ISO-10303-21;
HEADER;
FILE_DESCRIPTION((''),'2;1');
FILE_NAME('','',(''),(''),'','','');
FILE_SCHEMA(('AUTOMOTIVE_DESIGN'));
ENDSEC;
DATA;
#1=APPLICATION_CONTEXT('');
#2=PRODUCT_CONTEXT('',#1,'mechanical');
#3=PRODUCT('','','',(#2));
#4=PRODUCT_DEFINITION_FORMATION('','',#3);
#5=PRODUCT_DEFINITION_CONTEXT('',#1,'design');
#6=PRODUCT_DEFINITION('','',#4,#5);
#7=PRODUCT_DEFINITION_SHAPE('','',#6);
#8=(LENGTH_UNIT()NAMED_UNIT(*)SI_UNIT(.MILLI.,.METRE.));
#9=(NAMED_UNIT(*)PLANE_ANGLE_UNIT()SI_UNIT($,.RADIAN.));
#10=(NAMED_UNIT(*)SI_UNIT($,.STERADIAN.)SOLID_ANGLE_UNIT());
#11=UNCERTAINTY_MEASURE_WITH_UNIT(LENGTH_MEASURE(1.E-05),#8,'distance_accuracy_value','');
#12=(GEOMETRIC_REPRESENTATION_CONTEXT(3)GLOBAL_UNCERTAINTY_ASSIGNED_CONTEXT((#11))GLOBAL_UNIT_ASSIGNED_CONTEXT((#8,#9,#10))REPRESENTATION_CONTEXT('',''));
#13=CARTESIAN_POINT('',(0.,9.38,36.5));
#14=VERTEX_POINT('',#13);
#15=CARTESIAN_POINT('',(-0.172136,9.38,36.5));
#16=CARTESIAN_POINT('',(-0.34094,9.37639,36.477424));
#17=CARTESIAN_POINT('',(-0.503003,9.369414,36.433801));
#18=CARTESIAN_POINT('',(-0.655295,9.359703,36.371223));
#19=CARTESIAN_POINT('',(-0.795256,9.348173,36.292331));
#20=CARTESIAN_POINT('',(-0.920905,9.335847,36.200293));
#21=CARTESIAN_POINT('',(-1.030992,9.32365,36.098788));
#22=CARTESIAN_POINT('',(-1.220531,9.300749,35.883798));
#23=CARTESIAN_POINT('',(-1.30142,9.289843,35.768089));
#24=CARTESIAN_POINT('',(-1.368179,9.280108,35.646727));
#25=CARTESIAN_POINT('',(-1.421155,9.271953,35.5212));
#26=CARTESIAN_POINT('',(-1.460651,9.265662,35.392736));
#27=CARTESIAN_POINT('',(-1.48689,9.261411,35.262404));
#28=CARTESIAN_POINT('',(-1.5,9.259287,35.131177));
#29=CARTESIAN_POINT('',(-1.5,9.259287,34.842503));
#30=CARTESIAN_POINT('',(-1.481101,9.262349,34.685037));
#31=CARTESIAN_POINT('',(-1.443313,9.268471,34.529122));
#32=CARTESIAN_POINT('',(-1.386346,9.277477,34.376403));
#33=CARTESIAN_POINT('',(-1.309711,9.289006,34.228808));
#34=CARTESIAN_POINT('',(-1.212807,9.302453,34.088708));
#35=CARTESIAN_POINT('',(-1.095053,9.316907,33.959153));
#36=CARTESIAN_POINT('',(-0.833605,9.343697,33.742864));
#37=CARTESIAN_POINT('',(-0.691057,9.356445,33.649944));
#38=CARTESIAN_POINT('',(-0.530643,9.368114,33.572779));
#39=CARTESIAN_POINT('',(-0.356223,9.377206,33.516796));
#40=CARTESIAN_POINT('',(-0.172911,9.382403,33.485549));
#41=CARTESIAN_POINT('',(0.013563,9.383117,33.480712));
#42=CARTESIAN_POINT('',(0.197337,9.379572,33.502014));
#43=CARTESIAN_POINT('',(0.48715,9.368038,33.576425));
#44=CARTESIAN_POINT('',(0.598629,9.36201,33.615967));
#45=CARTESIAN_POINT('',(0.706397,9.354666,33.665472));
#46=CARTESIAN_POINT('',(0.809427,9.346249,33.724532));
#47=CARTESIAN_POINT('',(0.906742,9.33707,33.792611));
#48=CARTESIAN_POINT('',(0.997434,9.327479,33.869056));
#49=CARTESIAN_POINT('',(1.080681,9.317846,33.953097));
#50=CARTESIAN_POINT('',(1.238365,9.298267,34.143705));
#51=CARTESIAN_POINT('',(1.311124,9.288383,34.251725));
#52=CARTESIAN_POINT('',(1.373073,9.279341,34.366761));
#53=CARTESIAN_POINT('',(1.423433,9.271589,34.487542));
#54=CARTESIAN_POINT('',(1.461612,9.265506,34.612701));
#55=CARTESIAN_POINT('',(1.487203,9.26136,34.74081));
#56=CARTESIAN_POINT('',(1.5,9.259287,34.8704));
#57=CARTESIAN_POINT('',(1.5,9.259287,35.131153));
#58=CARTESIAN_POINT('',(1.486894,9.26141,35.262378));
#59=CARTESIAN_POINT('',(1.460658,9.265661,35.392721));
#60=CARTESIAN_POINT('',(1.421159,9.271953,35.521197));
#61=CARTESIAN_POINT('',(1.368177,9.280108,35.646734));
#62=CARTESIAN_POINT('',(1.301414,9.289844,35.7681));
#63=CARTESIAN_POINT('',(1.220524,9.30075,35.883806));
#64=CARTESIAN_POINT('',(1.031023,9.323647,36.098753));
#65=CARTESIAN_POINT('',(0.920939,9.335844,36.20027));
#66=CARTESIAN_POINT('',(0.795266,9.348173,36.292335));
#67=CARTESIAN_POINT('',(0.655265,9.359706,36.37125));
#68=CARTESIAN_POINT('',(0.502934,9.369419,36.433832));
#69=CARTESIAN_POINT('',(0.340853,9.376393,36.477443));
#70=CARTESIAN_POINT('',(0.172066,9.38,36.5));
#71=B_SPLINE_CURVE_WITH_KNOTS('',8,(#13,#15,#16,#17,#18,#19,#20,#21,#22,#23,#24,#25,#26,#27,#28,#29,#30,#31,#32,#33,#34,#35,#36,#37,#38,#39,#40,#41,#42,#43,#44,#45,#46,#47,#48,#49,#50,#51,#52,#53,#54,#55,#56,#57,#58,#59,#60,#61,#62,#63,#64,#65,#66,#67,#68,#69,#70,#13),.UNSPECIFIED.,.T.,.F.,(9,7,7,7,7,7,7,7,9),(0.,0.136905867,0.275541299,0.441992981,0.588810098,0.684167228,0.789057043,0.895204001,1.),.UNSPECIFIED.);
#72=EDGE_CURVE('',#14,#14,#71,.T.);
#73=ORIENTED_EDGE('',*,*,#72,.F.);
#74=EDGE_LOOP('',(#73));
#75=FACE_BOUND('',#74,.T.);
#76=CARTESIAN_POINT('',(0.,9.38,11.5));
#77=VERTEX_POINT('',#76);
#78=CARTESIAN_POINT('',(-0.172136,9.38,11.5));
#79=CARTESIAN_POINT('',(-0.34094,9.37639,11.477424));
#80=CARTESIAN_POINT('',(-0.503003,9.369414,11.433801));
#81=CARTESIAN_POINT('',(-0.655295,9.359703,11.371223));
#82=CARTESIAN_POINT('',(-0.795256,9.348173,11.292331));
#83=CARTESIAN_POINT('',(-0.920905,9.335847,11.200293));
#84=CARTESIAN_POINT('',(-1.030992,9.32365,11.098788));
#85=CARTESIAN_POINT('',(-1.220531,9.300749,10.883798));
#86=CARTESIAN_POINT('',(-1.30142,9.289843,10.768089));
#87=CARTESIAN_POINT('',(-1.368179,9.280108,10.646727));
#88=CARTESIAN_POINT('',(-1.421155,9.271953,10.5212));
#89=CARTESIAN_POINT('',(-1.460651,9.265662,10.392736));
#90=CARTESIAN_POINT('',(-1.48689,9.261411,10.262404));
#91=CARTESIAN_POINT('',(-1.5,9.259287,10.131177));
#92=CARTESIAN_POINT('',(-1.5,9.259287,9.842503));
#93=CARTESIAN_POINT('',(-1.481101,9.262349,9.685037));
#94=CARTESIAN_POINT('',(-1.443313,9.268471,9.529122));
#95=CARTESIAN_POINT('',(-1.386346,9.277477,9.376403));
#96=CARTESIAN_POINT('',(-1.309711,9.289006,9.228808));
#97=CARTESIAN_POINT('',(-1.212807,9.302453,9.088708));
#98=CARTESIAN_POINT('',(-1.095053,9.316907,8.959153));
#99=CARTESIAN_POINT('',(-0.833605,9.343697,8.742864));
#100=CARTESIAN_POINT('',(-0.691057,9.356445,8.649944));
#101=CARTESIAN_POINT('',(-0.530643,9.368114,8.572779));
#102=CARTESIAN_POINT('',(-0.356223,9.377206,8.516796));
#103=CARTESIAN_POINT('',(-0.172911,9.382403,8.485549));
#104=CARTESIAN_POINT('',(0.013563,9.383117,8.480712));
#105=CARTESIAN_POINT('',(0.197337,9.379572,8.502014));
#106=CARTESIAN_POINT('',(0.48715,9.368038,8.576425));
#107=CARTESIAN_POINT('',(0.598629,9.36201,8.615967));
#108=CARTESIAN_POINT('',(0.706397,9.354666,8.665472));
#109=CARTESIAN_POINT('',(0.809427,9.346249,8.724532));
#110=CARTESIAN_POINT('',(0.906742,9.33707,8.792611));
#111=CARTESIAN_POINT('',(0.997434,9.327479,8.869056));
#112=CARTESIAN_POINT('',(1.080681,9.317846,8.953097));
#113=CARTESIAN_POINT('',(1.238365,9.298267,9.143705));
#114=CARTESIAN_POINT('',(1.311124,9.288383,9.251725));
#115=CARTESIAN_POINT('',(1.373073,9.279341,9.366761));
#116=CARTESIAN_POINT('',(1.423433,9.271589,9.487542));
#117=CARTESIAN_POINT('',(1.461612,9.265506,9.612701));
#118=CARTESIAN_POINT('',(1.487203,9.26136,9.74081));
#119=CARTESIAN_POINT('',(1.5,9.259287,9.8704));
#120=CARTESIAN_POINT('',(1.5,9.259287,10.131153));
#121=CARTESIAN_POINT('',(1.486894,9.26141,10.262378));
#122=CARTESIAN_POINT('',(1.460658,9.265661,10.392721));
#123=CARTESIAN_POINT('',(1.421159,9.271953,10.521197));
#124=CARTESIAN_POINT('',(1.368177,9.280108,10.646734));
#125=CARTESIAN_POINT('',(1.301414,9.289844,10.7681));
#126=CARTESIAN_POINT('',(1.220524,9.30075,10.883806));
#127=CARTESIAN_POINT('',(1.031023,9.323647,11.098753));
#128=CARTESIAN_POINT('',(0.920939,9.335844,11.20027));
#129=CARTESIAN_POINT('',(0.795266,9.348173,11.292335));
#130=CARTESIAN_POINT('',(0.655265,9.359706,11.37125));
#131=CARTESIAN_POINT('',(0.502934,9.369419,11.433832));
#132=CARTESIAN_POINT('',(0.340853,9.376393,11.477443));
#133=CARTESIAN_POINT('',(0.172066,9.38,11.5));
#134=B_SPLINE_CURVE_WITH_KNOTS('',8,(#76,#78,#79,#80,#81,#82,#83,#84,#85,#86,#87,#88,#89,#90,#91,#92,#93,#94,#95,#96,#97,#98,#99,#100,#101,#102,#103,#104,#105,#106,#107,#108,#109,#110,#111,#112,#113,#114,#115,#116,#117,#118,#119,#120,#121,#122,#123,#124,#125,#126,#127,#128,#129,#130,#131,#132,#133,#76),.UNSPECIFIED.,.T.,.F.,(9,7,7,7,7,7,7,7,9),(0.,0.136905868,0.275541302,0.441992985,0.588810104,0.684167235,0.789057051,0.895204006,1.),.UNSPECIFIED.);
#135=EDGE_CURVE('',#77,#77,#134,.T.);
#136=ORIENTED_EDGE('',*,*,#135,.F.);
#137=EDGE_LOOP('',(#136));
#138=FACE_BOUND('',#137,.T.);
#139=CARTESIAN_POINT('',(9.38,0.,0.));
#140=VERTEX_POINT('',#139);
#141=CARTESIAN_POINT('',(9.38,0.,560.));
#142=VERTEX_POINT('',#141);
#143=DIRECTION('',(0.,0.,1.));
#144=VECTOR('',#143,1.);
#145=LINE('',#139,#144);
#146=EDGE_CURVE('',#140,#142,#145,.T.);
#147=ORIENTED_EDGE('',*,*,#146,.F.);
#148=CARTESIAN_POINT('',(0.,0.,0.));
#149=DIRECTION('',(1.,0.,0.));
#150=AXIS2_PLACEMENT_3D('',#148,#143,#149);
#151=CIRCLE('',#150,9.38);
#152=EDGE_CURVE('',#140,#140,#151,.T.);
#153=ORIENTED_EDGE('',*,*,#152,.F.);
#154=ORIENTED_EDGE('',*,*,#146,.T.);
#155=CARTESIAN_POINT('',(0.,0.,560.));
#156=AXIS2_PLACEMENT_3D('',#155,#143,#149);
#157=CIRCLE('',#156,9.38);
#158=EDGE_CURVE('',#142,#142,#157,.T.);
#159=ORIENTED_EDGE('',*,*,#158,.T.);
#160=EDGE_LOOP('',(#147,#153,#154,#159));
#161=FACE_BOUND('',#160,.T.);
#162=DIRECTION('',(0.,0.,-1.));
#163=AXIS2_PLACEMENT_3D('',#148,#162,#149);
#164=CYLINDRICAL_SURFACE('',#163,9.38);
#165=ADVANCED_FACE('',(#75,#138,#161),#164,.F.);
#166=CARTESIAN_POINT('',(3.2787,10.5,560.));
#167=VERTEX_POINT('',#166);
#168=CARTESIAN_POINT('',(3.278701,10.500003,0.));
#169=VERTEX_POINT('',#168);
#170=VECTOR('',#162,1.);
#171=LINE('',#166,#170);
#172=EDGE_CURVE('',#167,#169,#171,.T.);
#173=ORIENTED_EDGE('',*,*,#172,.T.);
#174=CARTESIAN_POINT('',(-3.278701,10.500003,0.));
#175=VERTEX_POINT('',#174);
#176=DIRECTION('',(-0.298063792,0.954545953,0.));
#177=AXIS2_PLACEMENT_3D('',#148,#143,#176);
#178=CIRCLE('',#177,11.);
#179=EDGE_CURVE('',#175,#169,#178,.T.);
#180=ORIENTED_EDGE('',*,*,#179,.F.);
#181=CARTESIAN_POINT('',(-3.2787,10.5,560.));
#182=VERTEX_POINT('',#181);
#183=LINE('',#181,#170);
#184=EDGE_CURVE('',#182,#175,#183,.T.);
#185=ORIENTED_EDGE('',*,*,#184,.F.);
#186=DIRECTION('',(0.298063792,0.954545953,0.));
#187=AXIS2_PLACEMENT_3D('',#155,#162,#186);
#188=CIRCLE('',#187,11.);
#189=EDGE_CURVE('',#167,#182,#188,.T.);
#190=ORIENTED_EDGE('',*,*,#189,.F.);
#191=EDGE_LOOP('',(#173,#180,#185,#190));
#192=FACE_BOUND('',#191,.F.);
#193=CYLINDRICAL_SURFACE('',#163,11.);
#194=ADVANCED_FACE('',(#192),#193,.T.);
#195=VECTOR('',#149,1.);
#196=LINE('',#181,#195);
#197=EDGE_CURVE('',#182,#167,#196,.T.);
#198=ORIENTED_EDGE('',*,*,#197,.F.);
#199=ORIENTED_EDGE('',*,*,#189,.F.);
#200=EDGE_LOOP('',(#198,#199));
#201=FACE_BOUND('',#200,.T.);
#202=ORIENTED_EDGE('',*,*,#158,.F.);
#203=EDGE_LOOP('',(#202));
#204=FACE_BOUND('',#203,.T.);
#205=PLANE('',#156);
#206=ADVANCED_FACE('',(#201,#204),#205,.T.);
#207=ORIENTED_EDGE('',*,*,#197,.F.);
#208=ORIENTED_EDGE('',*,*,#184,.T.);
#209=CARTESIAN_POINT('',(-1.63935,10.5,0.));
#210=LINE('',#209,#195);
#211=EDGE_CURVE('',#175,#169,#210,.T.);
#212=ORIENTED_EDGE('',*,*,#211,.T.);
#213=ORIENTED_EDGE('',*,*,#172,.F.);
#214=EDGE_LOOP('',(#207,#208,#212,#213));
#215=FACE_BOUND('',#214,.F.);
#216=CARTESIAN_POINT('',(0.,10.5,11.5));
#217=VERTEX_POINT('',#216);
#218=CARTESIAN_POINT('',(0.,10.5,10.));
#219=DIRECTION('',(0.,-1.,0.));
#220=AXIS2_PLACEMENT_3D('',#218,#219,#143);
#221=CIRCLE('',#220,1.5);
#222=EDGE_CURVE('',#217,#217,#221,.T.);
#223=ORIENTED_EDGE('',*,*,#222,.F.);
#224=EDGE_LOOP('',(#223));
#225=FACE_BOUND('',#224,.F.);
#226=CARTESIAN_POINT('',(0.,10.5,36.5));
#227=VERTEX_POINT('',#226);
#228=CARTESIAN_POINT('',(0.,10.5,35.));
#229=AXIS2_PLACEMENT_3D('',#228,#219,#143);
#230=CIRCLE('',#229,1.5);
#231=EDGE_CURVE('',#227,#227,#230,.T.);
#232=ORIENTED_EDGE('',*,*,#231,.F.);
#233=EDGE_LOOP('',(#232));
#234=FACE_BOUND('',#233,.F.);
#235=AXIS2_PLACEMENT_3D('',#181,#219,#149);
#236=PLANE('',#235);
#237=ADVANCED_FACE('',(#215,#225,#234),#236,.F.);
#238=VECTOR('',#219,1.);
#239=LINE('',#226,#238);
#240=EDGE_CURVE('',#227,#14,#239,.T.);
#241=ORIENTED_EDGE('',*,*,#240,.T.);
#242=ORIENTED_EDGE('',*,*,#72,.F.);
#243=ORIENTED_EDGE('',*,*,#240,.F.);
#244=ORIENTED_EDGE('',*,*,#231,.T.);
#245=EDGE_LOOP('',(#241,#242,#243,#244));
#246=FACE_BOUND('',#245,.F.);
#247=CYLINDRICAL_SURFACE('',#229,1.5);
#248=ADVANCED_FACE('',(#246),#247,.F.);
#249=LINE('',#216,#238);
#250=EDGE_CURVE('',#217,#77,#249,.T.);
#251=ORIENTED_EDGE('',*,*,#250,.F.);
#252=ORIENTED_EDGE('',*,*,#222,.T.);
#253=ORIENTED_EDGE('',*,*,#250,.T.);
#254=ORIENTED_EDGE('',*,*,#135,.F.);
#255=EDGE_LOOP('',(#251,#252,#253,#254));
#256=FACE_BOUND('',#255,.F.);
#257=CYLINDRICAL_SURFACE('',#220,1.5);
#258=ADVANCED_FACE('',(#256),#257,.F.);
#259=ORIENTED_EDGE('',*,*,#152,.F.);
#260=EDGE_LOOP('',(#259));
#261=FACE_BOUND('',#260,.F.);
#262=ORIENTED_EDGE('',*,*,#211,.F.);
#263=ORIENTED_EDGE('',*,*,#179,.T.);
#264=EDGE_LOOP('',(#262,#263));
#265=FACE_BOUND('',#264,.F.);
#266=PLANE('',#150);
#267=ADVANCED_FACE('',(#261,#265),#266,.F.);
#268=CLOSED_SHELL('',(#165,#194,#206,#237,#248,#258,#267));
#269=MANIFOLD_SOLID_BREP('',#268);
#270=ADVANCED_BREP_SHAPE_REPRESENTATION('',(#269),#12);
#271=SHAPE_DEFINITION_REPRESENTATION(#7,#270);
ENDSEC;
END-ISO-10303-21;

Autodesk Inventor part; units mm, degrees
ref_plane "YZ Plane" through (0, 0, 0) normal (1, 0, 0) x (0, 1, 0)
ref_plane "XZ Plane" through (0, 0, 0) normal (0, 1, 0) x (-1, 0, 0)
ref_plane "XY Plane" through (0, 0, 0) normal (0, 0, 1) x (1, 0, 0)
sketch "Sketch1" plane through (0, 0, 0) normal (0, 0, 1) x (1, 0, 0)
  circle A0 centre (0, 0) radius 11
  circle A1 centre (0, 0) radius 9.38
  dimension "d0" = 22
  dimension "d2" = 1.62
extrude "Extrusion1" add sketch "Sketch1" along normal blind 560
sketch "Sketch6" plane through (0, 0, 560) normal (0, 0, 1) x (1, 0, 0)
  circle A0 centre (0, 0) radius 9.38 projected
  circle A1 centre (0, 0) radius 11 projected
  line L0 (-3.2787, 10.5) -> (3.2787, 10.5)
  dimension "d18" = 10.5
extrude "Extrusion3" cut sketch "Sketch6" against normal through all contours L0 A1 picked at (-0.3693, 10.648)
sketch "Sketch8" plane through (-3.2787, 10.5, 560) normal (0, 1, 0) x (1, 0, 0)
  circle A0 centre (3.2787, 550) radius 1.7934
  point P0 (3.2787, 560)
  dimension "d47" = 10
hole "Hole4" at (0, 10.5, 10) direction (0, -1, 0) diameter 3 depth 8 tip angle 118
sketch "Sketch9" plane through (-3.2787, 10.5, 560) normal (0, 1, 0) x (1, 0, 0)
  circle A0 centre (3.2787, 550) radius 1.5 projected
  circle A1 centre (3.2787, 525) radius 1.2403
  point P0 (3.2787, 560)
  dimension "d55" = 25
hole "Hole5" at (0, 10.5, 35) direction (0, -1, 0) diameter 3 depth 8 tip angle 118
properties part number "2f2barm" material "PVC-Piping"
